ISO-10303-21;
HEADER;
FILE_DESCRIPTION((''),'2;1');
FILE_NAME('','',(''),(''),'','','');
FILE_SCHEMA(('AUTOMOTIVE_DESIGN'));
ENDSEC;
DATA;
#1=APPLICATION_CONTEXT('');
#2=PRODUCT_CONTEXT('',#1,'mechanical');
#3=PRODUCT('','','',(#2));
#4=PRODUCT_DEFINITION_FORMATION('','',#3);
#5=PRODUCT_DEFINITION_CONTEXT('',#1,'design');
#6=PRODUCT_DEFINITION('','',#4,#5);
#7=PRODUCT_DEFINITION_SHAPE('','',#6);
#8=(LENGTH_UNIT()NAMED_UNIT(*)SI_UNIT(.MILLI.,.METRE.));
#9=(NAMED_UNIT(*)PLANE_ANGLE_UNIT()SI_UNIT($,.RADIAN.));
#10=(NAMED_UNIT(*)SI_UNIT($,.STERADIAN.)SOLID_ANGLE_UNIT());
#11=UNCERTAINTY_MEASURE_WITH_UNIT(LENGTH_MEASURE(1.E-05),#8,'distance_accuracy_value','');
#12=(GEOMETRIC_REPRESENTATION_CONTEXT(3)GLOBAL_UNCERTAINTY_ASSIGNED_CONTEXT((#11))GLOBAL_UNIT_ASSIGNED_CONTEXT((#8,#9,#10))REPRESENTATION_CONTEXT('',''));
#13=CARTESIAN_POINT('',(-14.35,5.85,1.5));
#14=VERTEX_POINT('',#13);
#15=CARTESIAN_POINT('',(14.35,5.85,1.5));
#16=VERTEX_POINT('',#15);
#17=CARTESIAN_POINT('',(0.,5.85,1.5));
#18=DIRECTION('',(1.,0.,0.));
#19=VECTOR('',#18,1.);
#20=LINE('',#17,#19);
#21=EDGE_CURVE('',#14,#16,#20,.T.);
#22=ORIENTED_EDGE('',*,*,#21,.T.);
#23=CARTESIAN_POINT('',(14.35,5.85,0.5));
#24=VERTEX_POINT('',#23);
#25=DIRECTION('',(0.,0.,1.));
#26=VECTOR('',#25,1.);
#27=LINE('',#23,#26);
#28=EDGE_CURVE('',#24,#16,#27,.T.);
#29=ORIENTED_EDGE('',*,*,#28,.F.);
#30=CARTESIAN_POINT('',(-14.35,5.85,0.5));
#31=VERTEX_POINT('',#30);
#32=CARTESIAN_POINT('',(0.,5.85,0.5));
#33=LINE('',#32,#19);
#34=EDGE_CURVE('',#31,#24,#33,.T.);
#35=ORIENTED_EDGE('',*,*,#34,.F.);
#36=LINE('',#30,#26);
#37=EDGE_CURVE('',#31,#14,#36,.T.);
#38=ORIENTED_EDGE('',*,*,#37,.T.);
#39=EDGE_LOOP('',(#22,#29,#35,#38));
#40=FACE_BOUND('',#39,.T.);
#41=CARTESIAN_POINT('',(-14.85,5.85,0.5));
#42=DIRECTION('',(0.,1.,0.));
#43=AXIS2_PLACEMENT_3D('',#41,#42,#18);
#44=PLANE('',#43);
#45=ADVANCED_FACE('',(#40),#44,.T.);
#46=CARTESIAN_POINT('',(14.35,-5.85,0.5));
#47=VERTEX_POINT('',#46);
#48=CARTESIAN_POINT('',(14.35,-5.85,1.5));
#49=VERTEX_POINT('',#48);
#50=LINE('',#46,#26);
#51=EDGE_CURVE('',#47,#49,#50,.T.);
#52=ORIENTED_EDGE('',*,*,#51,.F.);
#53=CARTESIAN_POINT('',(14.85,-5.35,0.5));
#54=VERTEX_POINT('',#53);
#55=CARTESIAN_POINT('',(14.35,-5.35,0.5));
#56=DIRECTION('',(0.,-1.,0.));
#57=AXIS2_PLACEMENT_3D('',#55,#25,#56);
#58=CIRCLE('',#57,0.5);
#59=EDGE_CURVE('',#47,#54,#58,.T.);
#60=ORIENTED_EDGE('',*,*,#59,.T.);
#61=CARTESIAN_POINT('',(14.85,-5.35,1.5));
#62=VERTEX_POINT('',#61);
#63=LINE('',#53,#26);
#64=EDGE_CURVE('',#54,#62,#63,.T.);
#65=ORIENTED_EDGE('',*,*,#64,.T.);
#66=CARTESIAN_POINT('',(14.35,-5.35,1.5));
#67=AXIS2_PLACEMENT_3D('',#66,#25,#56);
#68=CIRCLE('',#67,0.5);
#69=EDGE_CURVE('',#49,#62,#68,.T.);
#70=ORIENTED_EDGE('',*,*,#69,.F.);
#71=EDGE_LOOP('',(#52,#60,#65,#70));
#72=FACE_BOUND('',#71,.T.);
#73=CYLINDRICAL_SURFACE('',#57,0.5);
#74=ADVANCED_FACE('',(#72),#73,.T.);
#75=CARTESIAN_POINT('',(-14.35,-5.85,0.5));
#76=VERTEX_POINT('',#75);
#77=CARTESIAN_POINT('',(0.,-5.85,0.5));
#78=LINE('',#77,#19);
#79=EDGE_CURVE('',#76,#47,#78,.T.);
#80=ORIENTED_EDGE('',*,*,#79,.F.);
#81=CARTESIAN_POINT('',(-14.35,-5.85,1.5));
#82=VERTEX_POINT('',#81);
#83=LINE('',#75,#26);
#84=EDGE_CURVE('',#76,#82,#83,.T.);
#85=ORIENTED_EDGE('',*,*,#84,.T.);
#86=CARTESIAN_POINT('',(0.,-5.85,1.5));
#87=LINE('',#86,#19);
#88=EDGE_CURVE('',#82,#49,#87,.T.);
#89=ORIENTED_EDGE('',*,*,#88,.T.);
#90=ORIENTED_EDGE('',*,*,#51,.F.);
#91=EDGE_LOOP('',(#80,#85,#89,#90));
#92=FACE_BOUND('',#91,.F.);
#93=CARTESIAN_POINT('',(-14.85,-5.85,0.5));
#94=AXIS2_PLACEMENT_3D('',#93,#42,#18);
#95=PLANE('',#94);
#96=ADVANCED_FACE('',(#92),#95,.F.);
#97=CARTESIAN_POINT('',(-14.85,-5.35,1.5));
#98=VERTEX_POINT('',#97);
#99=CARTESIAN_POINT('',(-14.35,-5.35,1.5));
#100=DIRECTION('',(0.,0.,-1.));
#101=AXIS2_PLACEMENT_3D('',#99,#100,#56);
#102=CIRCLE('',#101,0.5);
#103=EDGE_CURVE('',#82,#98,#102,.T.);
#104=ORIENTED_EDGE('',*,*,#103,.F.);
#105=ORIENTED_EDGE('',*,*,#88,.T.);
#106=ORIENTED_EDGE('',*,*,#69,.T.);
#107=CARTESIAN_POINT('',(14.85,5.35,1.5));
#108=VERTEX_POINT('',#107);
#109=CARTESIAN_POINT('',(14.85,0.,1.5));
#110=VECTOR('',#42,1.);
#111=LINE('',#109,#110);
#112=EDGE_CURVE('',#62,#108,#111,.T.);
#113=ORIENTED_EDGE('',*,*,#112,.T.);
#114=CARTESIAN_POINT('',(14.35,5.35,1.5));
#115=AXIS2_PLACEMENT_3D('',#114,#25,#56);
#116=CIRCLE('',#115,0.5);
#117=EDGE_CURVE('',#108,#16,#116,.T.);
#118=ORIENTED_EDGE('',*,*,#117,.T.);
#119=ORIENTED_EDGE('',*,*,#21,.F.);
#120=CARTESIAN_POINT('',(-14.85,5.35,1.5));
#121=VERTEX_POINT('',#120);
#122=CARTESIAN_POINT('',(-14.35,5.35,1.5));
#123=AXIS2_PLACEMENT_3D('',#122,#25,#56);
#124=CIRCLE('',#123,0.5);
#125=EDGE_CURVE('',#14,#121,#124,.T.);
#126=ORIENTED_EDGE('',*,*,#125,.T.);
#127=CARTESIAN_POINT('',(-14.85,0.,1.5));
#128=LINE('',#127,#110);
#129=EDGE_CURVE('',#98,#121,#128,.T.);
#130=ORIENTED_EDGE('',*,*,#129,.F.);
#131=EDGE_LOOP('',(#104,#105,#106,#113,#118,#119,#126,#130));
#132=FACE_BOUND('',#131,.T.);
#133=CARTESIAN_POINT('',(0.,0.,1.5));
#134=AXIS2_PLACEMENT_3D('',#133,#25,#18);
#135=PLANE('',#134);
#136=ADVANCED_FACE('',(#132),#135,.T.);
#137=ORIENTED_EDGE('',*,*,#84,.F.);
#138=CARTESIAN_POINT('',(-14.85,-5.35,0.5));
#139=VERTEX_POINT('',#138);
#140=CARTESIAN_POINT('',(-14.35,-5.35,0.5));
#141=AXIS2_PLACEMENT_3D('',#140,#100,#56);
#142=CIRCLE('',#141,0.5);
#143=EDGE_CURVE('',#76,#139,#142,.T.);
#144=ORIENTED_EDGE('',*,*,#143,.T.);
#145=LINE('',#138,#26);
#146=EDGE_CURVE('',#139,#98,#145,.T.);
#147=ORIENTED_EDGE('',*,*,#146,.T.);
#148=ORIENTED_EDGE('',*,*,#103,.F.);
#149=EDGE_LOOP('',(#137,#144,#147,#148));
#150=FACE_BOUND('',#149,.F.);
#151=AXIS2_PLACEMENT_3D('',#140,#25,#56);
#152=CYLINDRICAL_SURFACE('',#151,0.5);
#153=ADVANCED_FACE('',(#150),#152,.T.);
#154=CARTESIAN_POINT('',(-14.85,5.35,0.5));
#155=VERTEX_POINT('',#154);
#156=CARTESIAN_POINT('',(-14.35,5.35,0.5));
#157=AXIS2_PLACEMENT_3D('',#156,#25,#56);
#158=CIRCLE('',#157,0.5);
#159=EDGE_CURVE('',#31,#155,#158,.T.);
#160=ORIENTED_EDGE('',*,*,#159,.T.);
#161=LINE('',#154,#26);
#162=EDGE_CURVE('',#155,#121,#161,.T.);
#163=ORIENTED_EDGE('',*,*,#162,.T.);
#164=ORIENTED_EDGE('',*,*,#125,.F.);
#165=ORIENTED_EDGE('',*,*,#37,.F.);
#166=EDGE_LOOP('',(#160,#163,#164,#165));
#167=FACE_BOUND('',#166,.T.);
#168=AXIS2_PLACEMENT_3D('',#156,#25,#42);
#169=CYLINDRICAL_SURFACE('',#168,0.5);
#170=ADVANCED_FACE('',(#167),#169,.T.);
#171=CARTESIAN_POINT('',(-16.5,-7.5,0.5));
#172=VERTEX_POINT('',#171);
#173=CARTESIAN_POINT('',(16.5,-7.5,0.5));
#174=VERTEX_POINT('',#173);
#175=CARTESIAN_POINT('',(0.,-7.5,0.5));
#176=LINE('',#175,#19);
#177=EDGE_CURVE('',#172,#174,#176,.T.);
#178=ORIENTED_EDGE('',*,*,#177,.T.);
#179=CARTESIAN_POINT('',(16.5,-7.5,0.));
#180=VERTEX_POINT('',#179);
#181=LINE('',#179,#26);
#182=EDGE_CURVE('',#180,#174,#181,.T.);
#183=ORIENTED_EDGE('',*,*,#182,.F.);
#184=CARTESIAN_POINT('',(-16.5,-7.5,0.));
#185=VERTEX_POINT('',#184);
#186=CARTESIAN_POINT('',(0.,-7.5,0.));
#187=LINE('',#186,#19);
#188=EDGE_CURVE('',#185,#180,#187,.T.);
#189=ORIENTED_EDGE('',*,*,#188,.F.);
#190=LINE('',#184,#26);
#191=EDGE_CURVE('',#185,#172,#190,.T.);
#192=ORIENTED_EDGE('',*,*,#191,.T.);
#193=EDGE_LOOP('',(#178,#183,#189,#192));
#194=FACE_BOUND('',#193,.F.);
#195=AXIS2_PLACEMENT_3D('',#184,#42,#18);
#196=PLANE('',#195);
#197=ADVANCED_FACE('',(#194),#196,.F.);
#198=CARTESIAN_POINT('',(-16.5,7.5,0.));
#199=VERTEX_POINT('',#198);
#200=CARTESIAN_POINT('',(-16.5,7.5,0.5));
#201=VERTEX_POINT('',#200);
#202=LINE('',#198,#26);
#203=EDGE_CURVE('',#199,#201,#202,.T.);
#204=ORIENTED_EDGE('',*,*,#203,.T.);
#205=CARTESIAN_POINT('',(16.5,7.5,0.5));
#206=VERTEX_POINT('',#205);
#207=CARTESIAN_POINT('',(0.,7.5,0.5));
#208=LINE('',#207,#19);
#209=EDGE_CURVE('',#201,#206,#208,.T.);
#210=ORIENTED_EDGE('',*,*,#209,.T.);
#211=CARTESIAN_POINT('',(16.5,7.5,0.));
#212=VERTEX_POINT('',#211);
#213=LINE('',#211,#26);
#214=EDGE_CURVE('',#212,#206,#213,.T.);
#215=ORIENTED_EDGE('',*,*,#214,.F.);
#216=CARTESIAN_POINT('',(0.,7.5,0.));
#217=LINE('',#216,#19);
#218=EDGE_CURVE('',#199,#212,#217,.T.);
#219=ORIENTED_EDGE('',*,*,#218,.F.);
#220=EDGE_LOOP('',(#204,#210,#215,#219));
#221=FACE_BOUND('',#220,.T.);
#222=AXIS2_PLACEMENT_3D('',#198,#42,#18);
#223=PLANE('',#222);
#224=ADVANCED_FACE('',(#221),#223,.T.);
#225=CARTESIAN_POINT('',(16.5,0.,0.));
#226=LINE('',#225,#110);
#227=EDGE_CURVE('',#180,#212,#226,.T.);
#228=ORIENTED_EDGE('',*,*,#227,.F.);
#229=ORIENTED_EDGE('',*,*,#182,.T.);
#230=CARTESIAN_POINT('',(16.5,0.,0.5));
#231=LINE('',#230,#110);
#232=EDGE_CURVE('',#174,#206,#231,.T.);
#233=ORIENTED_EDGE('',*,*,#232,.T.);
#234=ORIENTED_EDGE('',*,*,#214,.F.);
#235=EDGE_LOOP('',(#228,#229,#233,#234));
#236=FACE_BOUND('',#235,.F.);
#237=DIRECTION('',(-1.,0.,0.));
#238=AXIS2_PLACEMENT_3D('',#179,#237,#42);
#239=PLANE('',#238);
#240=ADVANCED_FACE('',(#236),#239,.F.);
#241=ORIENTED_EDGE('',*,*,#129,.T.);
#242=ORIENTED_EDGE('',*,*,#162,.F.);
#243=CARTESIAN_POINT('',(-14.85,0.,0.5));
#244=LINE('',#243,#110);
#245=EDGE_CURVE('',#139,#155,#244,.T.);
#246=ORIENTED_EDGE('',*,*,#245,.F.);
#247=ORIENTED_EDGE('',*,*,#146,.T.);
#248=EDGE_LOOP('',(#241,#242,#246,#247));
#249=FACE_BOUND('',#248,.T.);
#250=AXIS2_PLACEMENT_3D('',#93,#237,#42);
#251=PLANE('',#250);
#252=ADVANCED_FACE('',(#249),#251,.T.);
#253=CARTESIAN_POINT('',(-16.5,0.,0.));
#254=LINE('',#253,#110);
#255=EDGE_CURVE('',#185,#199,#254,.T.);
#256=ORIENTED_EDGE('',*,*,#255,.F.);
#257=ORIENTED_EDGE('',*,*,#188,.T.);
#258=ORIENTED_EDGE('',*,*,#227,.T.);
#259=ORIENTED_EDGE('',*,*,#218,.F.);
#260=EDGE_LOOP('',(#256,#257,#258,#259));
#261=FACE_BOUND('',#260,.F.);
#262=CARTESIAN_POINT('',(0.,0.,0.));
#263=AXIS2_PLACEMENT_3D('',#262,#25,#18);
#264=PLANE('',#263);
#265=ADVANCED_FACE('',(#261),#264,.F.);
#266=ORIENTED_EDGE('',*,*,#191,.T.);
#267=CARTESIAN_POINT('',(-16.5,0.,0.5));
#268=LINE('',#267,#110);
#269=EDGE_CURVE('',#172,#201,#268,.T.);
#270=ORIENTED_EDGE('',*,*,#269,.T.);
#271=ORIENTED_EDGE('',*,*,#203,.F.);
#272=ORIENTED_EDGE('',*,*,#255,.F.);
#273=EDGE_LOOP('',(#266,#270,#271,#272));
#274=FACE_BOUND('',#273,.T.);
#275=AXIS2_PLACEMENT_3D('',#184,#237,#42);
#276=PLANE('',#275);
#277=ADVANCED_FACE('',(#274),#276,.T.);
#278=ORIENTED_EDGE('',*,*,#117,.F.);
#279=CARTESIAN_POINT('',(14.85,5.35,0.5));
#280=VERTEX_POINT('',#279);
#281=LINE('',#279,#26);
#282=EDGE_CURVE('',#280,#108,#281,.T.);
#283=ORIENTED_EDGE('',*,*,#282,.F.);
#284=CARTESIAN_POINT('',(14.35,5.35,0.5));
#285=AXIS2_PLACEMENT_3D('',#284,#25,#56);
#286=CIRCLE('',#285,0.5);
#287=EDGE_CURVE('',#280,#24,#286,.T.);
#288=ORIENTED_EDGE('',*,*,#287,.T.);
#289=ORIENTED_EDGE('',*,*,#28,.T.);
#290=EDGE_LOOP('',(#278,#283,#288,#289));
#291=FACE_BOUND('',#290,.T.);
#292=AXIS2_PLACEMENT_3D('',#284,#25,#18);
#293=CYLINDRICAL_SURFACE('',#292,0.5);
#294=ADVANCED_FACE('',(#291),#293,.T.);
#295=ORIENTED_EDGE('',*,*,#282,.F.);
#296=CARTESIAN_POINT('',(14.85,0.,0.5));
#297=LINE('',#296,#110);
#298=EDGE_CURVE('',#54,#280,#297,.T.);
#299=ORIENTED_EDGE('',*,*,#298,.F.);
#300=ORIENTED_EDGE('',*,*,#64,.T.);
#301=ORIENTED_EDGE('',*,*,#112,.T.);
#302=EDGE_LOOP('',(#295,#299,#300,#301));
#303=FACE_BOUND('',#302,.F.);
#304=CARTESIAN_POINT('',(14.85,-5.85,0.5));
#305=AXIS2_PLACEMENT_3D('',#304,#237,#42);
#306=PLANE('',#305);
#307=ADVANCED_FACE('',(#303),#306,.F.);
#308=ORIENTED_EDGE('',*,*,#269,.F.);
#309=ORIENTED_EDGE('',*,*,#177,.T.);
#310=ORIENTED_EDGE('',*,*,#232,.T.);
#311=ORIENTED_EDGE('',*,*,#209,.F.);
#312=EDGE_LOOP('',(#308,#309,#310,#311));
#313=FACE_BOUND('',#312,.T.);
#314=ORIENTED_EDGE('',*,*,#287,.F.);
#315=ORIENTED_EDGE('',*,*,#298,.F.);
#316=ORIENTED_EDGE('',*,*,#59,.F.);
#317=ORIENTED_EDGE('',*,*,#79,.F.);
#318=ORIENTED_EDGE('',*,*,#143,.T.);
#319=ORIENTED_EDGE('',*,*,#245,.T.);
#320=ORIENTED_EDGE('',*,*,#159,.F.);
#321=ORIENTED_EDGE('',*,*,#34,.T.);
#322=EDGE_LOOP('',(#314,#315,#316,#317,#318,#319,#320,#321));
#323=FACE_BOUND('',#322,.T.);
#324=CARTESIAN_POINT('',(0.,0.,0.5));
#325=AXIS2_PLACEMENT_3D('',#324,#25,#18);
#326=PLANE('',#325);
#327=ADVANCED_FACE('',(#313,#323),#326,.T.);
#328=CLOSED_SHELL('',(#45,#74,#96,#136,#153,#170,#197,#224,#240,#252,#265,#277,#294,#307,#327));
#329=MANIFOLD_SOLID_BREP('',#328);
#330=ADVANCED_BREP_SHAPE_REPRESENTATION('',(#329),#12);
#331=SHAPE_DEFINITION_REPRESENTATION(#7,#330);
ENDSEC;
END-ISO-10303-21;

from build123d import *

# Parameters (mm, degrees)
SKETCH_W     = 33
SKETCH_H     = 15
PAD_DEPTH    = 0.5
SKETCH001_W  = 29.7
SKETCH001_H  = 11.7
PAD001_DEPTH = 1
FILLET_R     = 0.5


with BuildPart() as part:
    # Sketch → Pad (new body)
    with BuildSketch(Plane.XY):
        Rectangle(SKETCH_W, SKETCH_H)
    extrude(amount=PAD_DEPTH)

    # Sketch001 (on Face6 of Pad) → Pad001 (join)
    with BuildSketch(Plane.XY.offset(0.5)):
        Rectangle(SKETCH001_W, SKETCH001_H)
    extrude(amount=PAD001_DEPTH)

    # Fillet
    fillet_edges = [part.edges().sort_by_distance(p)[0] for p in [
        (-14.85, -5.85, 1),
        (14.85, -5.85, 1),
        (14.85, 5.85, 1),
        (-14.85, 5.85, 1),
    ]]
    fillet(fillet_edges, radius=FILLET_R)


solid = part.part
